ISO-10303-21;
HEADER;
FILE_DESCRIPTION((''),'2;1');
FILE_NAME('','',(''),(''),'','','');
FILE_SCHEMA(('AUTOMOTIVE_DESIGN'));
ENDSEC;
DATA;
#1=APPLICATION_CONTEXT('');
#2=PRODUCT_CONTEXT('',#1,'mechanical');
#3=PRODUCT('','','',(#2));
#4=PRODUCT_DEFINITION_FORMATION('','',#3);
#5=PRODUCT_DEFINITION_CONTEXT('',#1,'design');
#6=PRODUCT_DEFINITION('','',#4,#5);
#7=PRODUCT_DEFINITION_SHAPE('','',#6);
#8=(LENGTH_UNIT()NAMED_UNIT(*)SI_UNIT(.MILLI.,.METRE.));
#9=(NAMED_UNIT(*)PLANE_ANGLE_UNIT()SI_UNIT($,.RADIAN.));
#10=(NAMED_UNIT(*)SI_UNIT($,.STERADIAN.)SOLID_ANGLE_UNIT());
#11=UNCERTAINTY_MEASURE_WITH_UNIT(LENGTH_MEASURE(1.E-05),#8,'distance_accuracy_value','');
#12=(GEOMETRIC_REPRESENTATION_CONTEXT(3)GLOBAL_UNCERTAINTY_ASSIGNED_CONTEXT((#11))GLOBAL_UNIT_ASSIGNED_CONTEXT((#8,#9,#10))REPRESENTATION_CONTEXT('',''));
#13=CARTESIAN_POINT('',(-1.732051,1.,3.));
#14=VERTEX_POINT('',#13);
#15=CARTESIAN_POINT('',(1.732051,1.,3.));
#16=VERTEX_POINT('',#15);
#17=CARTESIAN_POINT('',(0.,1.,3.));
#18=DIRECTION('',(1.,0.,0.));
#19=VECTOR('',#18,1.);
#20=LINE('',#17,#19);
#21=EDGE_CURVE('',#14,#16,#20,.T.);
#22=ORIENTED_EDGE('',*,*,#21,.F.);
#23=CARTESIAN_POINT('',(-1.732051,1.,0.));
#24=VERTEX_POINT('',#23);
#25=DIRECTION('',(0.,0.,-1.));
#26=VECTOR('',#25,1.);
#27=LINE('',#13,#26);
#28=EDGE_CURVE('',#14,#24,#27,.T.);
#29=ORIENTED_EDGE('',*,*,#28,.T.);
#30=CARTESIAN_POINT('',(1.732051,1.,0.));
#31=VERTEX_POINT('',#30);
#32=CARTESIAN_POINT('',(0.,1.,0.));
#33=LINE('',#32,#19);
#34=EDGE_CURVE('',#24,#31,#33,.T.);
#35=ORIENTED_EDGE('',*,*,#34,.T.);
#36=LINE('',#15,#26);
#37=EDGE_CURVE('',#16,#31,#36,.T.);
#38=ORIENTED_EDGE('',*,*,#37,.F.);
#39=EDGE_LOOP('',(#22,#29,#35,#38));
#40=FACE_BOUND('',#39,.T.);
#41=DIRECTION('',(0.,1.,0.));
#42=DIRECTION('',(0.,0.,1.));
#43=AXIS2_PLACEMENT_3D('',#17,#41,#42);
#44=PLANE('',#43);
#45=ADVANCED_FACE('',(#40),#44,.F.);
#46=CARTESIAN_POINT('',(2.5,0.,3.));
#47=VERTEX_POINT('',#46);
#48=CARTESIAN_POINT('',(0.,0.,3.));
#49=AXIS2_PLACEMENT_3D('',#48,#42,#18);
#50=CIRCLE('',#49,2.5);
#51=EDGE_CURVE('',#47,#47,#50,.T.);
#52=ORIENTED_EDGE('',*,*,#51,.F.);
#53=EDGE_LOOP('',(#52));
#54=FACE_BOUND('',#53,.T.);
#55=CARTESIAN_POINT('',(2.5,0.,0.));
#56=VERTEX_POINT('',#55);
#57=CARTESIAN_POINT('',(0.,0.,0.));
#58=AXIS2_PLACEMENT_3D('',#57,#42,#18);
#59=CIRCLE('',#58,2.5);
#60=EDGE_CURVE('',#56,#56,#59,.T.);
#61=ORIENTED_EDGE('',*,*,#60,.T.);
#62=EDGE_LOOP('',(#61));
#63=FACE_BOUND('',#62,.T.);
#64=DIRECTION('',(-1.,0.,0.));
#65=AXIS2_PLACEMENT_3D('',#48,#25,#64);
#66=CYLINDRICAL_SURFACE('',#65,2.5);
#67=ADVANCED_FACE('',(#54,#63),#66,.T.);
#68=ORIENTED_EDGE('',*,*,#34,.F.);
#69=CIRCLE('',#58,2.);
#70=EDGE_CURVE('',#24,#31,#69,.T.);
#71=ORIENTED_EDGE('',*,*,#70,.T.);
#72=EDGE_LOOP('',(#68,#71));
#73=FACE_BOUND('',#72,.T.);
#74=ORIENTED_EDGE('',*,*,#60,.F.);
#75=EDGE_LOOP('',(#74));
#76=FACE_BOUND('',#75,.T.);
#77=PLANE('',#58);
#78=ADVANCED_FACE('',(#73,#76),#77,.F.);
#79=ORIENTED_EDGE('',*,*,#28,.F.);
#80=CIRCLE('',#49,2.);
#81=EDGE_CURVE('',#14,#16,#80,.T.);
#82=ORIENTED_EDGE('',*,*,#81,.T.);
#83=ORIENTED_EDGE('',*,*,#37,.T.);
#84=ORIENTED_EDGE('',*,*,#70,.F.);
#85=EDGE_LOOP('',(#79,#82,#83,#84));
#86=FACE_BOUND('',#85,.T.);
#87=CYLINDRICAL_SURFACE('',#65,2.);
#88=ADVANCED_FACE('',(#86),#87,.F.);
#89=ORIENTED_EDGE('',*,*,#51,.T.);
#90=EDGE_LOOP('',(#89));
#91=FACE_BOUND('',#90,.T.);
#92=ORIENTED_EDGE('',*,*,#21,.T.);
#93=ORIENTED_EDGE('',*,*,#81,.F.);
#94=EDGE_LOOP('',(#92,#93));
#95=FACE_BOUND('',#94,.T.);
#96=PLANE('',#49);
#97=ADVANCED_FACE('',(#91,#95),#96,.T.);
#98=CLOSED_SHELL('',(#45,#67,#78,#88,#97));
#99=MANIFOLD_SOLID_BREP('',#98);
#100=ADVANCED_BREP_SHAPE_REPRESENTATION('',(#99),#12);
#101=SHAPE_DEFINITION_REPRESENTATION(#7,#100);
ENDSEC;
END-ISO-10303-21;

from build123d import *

# Parameters (mm, degrees)
SKETCH_1_R      = 2.5
EXTRUDE_1_DEPTH = 3


with BuildPart() as part:
    # 草图1 → 凸台-拉伸1 (new body)
    with BuildSketch(Plane.XY):
        Circle(SKETCH_1_R)
        with BuildLine():
            ThreePointArc((1.732050808, 1), (0, -2), (-1.732050808, 1))
            Line((-1.732050808, 1), (1.732050808, 1))
        make_face(mode=Mode.SUBTRACT)
    extrude(amount=EXTRUDE_1_DEPTH)


solid = part.part
